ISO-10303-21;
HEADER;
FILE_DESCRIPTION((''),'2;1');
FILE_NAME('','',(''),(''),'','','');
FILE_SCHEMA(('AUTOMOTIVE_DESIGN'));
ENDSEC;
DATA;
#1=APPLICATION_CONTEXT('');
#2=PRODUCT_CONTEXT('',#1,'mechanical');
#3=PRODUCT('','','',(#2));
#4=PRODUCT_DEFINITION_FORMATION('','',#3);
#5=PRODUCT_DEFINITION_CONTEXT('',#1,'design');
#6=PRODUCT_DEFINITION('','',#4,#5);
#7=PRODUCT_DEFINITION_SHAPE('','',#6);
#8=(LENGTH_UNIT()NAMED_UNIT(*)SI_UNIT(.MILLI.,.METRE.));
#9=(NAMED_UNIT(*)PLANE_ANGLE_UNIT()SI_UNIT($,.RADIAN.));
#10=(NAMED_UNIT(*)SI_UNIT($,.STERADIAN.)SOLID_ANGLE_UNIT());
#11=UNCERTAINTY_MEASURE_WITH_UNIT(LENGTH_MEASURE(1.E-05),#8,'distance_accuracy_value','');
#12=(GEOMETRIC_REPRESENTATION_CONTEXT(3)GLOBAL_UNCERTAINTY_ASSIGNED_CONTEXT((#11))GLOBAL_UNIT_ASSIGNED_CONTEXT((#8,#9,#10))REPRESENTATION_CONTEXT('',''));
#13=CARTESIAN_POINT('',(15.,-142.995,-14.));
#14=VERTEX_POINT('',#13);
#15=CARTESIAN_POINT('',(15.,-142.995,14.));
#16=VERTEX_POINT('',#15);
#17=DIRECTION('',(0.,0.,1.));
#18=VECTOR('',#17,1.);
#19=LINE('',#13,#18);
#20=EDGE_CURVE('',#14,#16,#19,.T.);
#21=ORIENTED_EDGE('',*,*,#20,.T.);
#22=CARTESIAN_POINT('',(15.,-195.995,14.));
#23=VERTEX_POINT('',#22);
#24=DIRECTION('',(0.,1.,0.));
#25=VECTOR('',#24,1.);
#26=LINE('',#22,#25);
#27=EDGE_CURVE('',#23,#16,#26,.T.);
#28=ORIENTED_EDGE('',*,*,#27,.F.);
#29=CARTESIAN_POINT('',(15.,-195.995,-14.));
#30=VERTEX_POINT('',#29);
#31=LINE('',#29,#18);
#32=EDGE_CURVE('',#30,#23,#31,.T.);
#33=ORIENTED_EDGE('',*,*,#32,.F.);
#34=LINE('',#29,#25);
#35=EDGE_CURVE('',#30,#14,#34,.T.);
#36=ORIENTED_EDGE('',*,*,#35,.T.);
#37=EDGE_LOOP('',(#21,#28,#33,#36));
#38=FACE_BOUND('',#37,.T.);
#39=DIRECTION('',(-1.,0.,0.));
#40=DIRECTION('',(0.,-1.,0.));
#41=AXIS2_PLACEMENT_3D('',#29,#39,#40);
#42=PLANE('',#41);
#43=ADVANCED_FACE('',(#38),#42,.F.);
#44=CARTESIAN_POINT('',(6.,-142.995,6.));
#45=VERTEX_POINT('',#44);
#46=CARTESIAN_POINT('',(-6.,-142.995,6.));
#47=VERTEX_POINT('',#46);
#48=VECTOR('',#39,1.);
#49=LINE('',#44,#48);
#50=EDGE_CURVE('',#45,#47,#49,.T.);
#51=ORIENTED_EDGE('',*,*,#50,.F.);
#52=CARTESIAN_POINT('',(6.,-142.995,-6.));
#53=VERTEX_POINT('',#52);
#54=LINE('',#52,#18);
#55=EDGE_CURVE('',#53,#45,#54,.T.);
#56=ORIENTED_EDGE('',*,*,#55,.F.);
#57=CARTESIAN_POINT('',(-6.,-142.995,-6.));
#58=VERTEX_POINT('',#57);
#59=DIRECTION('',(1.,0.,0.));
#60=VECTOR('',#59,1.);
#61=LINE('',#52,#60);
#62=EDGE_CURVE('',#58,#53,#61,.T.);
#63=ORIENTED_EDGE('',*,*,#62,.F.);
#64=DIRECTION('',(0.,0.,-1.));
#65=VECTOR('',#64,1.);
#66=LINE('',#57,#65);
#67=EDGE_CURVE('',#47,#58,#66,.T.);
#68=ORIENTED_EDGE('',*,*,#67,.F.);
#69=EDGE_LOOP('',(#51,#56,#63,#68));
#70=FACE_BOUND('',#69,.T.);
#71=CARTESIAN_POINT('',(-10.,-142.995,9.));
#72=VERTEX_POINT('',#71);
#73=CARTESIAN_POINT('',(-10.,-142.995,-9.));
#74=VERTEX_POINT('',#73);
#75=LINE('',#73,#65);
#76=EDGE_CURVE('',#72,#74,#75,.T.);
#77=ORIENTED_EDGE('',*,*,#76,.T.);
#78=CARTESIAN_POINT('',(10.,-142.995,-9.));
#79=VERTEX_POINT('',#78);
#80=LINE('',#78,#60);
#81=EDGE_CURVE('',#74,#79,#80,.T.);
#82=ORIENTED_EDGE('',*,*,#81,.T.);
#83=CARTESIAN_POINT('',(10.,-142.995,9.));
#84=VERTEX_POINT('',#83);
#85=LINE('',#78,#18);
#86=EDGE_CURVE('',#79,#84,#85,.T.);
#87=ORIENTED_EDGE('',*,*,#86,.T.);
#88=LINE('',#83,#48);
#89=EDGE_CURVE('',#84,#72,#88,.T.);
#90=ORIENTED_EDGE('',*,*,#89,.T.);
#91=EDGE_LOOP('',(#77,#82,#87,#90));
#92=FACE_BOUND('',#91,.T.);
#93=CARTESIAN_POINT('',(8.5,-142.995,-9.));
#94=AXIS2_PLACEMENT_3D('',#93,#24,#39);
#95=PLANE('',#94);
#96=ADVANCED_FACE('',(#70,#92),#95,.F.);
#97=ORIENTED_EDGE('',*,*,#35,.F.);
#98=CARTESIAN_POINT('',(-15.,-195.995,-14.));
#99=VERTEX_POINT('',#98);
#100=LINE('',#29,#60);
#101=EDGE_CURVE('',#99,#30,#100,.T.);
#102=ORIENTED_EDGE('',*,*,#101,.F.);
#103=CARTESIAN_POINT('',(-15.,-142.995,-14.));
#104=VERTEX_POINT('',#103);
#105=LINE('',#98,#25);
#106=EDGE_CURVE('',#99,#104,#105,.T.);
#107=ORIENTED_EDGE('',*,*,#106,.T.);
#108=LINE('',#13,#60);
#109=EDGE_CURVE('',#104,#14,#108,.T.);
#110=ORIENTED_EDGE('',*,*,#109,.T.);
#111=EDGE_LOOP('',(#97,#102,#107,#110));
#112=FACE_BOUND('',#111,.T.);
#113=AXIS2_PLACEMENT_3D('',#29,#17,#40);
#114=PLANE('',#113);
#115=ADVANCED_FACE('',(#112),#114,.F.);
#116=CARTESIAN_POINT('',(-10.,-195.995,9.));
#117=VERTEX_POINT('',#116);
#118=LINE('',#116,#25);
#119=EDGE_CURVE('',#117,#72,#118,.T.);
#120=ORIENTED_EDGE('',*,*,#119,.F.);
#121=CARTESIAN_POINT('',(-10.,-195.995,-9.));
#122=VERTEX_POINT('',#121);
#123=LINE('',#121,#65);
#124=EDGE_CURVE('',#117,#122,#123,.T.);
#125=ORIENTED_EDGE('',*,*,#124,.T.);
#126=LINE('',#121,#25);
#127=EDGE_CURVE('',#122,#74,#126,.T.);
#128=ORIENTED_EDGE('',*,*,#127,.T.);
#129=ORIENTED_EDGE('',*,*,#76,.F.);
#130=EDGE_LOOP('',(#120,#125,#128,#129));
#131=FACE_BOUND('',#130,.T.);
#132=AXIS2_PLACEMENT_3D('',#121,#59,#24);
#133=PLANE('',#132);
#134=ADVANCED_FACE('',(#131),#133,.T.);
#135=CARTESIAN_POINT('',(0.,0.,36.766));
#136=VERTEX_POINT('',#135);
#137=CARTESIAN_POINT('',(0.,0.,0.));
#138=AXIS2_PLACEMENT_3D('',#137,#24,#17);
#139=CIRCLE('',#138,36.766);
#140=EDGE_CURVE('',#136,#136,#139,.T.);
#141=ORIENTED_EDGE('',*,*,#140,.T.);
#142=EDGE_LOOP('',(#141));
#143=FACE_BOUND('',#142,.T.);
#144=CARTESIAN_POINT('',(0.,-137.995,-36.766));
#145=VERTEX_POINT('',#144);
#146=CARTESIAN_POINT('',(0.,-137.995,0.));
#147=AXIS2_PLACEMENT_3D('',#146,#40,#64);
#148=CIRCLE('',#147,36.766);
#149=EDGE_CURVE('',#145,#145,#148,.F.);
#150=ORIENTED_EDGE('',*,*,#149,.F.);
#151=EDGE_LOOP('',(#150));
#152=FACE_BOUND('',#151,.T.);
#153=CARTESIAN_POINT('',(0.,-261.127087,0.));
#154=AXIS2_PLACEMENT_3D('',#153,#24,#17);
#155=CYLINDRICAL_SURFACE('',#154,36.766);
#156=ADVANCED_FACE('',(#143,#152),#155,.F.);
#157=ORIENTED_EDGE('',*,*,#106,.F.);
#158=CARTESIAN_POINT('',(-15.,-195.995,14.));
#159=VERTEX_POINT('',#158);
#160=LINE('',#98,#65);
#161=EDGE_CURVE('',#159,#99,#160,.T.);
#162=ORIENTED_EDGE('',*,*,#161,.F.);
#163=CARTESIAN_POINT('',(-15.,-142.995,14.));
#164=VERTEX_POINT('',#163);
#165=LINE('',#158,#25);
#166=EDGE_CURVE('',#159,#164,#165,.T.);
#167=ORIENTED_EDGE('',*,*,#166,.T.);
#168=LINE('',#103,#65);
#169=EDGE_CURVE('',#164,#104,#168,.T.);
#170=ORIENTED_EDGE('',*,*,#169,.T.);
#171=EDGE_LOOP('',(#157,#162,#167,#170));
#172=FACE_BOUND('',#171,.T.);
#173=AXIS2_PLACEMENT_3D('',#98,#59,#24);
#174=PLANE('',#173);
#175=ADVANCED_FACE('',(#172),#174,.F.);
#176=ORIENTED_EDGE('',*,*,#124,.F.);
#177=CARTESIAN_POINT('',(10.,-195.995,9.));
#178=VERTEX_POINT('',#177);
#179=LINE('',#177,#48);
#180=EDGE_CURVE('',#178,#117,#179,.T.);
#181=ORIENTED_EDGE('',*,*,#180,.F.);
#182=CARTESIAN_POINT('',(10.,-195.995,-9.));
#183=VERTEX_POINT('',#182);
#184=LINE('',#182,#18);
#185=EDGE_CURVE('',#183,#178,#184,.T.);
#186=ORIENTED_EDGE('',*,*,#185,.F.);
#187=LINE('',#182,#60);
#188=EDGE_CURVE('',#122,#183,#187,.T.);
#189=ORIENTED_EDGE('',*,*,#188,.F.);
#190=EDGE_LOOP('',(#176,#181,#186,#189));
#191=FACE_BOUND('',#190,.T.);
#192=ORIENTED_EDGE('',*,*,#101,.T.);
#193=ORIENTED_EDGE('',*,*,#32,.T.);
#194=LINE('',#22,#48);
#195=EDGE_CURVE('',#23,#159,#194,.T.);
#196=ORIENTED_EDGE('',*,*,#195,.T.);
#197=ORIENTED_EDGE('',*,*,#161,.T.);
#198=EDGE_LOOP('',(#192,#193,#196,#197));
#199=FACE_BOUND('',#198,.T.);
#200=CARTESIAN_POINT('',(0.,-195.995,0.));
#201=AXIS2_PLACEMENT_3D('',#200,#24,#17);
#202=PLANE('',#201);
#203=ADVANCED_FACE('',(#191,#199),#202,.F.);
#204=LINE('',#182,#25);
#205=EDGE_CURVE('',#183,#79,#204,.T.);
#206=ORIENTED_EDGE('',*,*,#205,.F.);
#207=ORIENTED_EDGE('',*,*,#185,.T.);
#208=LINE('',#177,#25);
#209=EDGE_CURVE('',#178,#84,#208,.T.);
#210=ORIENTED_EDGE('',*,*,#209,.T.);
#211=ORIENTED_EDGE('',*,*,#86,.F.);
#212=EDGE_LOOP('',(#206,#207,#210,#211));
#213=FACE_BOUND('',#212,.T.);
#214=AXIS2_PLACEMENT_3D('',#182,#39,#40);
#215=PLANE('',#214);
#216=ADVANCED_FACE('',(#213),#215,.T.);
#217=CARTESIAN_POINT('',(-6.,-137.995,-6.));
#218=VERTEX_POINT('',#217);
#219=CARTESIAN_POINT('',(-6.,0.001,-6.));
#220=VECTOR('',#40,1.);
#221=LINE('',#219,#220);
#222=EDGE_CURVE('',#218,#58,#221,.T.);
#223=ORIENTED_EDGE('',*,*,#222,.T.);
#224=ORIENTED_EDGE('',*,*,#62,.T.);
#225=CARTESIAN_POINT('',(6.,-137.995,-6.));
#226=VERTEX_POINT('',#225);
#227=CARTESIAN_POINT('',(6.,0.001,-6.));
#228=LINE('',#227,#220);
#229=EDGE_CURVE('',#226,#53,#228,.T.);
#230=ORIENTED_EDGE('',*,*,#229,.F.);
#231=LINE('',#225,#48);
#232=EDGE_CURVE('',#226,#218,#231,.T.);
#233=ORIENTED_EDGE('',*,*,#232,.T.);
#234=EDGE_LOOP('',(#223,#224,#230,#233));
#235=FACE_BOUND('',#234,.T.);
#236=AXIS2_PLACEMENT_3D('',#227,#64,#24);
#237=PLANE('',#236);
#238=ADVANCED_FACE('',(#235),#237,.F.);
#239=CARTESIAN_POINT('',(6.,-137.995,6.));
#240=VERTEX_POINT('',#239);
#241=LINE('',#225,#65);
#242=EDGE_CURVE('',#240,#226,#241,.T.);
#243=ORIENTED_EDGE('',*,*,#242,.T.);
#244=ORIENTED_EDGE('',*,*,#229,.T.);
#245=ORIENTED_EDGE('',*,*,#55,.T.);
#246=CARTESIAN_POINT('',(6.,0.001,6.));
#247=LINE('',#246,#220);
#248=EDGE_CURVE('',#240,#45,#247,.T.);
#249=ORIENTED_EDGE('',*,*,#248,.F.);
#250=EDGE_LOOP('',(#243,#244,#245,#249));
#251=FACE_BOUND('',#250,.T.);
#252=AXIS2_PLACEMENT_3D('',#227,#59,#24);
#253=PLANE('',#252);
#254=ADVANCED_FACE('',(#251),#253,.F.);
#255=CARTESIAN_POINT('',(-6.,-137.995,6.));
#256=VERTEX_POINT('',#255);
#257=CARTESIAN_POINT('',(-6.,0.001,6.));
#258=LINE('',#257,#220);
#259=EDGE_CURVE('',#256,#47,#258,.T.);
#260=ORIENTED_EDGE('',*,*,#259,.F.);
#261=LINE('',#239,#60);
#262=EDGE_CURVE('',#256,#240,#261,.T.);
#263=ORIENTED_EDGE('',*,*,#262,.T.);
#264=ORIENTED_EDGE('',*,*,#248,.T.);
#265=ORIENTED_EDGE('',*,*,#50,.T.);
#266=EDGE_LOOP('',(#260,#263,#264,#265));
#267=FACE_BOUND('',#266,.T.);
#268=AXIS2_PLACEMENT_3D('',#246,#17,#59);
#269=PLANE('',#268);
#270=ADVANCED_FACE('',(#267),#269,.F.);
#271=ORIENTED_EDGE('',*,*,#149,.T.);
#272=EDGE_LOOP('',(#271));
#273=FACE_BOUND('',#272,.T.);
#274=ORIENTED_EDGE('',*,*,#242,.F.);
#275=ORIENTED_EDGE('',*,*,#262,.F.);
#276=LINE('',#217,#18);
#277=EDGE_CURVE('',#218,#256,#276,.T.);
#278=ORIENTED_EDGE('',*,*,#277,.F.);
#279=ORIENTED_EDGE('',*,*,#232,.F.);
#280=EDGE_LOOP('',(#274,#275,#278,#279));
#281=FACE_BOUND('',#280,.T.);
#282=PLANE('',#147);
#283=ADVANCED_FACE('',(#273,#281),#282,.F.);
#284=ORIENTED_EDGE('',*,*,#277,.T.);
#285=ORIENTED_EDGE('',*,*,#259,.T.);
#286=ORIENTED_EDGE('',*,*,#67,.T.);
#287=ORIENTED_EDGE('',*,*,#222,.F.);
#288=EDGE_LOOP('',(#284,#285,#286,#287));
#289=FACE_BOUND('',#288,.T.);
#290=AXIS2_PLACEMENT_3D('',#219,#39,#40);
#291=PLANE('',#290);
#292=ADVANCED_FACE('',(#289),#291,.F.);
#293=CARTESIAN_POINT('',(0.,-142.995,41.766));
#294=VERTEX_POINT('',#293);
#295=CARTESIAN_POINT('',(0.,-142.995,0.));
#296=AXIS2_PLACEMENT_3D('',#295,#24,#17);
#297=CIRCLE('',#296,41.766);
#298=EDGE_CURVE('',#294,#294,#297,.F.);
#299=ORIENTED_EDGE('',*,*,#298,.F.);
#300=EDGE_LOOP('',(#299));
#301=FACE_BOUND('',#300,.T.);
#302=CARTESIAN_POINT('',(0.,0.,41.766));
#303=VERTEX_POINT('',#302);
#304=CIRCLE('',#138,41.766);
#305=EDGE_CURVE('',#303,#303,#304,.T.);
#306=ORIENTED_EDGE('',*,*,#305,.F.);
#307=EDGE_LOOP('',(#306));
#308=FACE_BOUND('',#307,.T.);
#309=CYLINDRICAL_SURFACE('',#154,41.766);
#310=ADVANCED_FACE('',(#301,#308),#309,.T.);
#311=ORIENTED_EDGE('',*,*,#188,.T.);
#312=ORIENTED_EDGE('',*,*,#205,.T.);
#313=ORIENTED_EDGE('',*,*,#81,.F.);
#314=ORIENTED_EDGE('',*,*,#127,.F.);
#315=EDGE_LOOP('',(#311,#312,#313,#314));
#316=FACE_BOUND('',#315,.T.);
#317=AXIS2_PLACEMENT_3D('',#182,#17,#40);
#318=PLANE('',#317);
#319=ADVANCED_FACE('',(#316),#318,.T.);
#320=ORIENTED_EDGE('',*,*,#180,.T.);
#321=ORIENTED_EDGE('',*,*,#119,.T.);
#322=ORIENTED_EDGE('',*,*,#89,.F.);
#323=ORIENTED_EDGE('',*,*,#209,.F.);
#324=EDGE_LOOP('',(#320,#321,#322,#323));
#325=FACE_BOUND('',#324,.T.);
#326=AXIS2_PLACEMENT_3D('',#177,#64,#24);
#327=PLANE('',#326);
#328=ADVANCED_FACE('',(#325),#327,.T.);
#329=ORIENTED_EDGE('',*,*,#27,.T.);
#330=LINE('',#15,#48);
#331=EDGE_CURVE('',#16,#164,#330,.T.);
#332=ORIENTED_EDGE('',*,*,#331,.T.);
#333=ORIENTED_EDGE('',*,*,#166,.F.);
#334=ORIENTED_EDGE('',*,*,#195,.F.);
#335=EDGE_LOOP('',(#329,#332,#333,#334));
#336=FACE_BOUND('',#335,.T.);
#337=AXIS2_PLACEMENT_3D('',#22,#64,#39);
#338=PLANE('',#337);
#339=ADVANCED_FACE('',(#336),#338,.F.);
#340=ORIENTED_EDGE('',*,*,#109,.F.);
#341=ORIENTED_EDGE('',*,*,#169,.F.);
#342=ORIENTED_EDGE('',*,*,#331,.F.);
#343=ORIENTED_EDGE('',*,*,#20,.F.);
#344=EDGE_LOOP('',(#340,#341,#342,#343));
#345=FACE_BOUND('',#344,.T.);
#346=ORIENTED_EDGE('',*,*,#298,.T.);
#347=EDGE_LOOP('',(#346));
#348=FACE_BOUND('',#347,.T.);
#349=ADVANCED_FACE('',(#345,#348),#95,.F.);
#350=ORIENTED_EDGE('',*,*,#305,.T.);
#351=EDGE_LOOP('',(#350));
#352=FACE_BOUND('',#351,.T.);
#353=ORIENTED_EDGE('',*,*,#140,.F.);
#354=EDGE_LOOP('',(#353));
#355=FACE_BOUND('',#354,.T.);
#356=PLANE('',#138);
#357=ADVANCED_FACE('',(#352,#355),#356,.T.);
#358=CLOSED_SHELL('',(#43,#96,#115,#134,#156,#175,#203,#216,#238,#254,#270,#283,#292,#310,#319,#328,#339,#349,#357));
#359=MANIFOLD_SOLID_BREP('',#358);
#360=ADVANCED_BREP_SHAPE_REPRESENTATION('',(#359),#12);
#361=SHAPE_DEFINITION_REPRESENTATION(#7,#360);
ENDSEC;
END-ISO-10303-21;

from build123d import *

# Parameters (mm, degrees)
BOSS_EXTRUDE2_START = -142.995
BOSS_EXTRUDE2_DEPTH = 142.995
BOSS_EXTRUDE3_DEPTH = 5
CUT_EXTRUDE2_REACH  = 156.714
SKETCH5_W           = 12
SKETCH5_H           = 12
SKETCH6_W           = 30
SKETCH6_H           = 28
SKETCH6_W_2         = 20
SKETCH6_H_2         = 18
BOSS_EXTRUDE4_DEPTH = 53


with BuildPart() as part:
    # Sketch3 → Boss-Extrude2 (new body)
    with BuildSketch(Plane(origin=(0, 0, 0), x_dir=(-1, 0, 0), z_dir=(0, 1, 0)).offset(BOSS_EXTRUDE2_START)):
        with BuildLine():
            ThreePointArc((-7.414110804, 41.102672806), (-36.485572351, 20.327364833), (-38.852451785, -15.325982549))
            ThreePointArc((-38.852451785, -15.325982549), (17.139485086, -38.087226229), (37.237407808, 18.914920316))
            ThreePointArc((37.237407808, 18.914920316), (18.585783578, 37.402772619), (-7.414110804, 41.102672806))
        make_face()
        with BuildLine():
            ThreePointArc((-34.201246039, -13.49123867), (-0.785346896, -36.757611208), (33.593802773, -14.939717757))
            ThreePointArc((33.593802773, -14.939717757), (13.43775935, 34.22229354), (-34.78367135, 11.909448303))
            ThreePointArc((-34.78367135, 11.909448303), (-36.756338657, -0.842804842), (-34.201246039, -13.49123867))
        make_face(mode=Mode.SUBTRACT)
    extrude(amount=BOSS_EXTRUDE2_DEPTH)

    # Sketch4 → Boss-Extrude3 (add)
    with BuildSketch(Plane.XZ.offset(142.99499992)):
        with BuildLine():
            ThreePointArc((0, 36.765999938), (-30.83028068, -20.030789916), (33.593802773, -14.939717757))
            ThreePointArc((33.593802773, -14.939717757), (30.83028068, 20.030789916), (0, 36.765999938))
        make_face()
    extrude(amount=-BOSS_EXTRUDE3_DEPTH)

    # Sketch5 → Cut-Extrude2 (cut, up to next)
    with BuildSketch(Plane.XZ.offset(142.99499992), mode=Mode.PRIVATE) as cut_extrude2_sk1:
        Rectangle(SKETCH5_W, SKETCH5_H)
    cut_extrude2_tool1 = extrude(cut_extrude2_sk1.sketch, amount=-CUT_EXTRUDE2_REACH, mode=Mode.PRIVATE) & part.part
    add(cut_extrude2_tool1.solids().sort_by_distance((0, -142.995, 0))[0], mode=Mode.SUBTRACT)

    # Sketch6 → Boss-Extrude4 (add)
    with BuildSketch(Plane.XZ.offset(142.99499992)):
        Rectangle(SKETCH6_W, SKETCH6_H)
        Rectangle(SKETCH6_W_2, SKETCH6_H_2, mode=Mode.SUBTRACT)
    extrude(amount=BOSS_EXTRUDE4_DEPTH)


solid = part.part
